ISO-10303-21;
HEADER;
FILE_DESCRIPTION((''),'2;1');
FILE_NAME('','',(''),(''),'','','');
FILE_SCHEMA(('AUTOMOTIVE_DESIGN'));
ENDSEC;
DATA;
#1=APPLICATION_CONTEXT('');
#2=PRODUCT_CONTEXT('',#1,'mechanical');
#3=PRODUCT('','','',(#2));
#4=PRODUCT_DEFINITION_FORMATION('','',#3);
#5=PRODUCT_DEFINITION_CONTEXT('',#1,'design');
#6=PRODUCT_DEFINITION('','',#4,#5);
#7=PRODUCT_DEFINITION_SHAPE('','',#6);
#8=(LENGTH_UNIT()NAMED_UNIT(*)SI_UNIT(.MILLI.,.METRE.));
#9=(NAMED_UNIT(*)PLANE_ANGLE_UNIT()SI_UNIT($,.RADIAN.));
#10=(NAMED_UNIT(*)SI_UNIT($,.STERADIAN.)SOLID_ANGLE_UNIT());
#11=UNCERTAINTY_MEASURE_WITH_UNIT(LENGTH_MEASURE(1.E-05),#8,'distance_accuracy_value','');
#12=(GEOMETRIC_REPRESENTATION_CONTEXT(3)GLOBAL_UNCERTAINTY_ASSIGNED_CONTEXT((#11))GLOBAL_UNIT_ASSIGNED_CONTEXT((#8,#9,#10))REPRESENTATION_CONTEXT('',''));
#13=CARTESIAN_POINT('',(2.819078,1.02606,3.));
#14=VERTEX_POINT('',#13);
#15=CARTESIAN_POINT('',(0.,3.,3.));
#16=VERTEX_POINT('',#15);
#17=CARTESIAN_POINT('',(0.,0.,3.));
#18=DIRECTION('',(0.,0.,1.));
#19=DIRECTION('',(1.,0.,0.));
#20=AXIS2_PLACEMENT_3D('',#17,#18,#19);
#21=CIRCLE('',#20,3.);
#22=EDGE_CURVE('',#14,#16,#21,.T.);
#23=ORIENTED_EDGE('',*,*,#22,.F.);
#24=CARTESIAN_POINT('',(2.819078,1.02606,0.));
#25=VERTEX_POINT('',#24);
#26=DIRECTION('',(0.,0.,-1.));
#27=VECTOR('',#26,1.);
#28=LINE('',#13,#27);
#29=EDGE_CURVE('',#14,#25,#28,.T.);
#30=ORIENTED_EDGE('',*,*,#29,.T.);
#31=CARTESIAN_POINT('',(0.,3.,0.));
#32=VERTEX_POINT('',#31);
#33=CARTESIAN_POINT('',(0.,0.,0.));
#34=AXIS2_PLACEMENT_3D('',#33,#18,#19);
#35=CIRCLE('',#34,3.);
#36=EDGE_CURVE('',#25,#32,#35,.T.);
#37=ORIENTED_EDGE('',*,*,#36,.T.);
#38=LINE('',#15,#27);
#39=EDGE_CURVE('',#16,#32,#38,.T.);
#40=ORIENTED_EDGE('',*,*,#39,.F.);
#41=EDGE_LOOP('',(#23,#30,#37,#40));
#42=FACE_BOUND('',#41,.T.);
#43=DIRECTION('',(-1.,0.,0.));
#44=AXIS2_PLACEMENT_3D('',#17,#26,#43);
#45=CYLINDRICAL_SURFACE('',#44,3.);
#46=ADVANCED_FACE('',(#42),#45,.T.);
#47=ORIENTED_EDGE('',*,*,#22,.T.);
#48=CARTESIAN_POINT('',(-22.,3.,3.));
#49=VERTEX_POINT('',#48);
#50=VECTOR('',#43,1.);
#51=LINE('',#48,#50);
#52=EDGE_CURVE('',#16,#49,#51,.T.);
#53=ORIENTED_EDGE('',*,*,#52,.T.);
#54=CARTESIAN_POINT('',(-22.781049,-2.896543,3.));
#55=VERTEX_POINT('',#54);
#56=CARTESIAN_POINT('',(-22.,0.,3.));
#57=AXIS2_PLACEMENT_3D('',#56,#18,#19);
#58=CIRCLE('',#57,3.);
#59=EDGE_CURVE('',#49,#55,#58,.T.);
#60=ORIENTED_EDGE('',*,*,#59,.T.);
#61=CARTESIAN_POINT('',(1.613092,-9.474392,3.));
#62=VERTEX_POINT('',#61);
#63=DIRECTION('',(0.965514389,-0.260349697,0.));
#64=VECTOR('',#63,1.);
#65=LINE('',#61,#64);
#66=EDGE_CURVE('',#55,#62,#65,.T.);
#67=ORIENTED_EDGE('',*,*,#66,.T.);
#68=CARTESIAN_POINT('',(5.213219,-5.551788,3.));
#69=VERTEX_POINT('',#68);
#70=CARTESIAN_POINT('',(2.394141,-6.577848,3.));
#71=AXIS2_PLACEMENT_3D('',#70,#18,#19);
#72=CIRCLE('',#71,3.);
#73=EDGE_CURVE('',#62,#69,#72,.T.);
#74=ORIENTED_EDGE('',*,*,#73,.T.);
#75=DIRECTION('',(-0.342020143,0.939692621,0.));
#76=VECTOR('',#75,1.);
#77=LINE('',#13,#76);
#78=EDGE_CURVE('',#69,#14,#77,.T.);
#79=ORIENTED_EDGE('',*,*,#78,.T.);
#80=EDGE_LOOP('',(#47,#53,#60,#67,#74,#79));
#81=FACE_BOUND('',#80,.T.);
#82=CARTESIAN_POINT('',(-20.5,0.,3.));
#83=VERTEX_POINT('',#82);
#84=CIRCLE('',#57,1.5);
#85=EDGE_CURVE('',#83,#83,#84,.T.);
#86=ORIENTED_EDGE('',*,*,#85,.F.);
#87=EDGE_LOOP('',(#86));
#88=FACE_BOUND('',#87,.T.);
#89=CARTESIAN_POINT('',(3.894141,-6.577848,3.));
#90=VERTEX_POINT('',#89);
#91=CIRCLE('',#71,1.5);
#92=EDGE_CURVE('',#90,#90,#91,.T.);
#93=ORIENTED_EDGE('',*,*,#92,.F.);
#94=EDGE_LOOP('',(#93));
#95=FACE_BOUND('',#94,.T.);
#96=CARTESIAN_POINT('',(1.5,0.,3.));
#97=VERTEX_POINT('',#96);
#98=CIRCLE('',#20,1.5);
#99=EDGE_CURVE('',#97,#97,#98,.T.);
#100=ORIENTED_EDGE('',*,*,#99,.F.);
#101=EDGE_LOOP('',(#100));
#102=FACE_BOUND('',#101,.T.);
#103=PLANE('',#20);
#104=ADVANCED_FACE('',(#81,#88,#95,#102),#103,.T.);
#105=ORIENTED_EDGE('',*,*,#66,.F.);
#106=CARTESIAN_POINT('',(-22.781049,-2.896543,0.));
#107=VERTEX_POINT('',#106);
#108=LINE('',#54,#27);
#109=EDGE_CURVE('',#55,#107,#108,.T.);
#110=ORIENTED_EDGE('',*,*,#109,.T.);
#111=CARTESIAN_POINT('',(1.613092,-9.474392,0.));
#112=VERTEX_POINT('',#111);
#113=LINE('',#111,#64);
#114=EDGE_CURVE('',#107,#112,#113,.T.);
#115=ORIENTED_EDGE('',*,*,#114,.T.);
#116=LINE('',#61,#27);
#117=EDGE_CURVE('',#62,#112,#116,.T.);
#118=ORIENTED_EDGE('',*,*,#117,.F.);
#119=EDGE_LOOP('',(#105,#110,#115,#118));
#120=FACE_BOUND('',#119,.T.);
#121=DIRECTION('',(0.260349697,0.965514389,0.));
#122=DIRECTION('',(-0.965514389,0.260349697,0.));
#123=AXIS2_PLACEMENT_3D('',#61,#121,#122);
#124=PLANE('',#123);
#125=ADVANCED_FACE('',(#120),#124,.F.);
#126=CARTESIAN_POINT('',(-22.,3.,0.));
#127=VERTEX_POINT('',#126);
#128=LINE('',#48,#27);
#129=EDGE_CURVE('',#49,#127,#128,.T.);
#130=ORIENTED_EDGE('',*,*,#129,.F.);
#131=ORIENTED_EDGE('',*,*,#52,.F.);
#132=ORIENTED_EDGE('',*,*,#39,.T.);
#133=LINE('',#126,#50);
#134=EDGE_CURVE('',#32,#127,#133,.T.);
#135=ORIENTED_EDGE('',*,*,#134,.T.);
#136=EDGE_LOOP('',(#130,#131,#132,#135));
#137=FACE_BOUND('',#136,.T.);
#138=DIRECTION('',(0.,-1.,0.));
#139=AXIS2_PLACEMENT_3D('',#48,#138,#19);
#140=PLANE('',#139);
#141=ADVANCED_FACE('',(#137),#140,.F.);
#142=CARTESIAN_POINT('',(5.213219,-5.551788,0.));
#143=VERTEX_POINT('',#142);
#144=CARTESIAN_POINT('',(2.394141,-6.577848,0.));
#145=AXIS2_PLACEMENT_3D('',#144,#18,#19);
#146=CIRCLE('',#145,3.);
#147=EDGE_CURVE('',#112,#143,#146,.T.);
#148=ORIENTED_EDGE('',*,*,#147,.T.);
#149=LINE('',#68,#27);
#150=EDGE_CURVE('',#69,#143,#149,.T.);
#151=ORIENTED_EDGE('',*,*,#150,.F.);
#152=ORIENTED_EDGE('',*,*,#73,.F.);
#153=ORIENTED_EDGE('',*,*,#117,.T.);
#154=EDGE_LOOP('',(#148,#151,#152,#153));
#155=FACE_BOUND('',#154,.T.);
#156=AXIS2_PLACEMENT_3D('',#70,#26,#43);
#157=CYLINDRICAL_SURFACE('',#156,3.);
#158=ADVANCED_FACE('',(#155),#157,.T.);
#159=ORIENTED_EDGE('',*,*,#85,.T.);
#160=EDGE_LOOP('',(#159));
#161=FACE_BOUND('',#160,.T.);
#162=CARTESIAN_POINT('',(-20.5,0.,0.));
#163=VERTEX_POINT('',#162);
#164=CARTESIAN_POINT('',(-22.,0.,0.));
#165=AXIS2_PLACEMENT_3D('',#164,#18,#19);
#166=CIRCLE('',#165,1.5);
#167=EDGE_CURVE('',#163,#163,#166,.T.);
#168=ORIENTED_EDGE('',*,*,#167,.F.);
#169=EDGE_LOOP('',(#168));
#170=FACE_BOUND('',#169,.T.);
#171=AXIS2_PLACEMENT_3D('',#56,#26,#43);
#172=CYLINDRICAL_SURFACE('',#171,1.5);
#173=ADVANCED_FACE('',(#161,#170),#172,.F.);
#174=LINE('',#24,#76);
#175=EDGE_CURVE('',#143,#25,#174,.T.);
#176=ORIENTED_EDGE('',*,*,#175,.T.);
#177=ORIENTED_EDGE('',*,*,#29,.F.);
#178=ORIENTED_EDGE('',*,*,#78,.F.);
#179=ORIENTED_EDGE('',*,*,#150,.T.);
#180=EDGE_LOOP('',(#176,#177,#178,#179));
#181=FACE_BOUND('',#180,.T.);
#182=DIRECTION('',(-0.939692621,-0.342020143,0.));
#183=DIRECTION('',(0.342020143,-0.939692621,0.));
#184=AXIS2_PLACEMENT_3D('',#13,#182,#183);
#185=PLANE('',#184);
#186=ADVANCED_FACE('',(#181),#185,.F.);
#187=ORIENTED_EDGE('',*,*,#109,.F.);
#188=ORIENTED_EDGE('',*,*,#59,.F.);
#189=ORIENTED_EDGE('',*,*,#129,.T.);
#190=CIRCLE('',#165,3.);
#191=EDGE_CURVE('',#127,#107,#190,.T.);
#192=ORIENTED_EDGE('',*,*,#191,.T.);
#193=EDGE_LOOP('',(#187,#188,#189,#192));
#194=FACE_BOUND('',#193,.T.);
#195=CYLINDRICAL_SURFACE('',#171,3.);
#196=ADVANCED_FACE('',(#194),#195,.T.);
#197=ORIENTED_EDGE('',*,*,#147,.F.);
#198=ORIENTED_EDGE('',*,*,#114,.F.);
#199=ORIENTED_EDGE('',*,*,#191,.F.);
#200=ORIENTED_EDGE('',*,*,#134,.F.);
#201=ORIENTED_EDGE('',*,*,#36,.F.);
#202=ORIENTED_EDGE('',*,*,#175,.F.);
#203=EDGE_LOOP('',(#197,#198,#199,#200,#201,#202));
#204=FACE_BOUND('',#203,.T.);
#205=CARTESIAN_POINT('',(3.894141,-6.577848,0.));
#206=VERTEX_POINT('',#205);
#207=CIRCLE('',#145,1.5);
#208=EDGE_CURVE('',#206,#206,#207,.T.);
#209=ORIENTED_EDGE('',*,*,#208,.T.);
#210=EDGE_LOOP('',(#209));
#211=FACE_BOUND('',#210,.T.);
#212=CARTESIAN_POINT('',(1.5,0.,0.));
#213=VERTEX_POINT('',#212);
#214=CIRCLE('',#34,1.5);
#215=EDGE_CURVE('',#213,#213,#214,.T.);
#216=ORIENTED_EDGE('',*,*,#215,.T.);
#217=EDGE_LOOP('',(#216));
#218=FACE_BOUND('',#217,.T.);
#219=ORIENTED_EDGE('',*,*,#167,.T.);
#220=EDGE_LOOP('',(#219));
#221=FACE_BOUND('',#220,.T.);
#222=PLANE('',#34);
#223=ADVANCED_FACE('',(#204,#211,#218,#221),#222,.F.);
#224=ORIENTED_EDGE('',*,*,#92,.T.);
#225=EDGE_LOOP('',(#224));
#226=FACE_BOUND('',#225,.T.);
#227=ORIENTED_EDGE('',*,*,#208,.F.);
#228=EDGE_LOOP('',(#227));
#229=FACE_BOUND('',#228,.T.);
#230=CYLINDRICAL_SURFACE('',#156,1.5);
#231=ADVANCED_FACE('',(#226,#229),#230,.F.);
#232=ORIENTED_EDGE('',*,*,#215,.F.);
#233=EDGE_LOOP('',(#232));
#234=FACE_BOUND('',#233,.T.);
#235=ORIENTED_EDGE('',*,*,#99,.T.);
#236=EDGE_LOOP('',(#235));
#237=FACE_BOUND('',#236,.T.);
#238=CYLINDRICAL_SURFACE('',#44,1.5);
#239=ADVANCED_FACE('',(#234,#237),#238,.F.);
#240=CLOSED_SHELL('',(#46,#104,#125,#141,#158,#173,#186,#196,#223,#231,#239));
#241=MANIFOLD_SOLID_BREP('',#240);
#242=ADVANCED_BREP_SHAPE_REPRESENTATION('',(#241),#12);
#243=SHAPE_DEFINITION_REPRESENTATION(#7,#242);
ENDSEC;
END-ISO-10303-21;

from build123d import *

# Parameters (mm, degrees)
SKETCH2_R           = 1.5
BOSS_EXTRUDE1_DEPTH = 3


with BuildPart() as part:
    # Sketch2 → Boss-Extrude1 (new body)
    with BuildSketch(Plane.XY):
        with BuildLine():
            Line((-22, 3), (0, 3))
            ThreePointArc((0, 3), (1.720729309, 2.457456133), (2.819077862, 1.02606043))
            Line((2.819077862, 1.02606043), (5.213218866, -5.551787916))
            ThreePointArc((5.213218866, -5.551787916), (4.604366119, -8.606371192), (1.613091911, -9.474391512))
            Line((1.613091911, -9.474391512), (-22.781049092, -2.896543167))
            ThreePointArc((-22.781049092, -2.896543167), (-24.974023327, 0.393935591), (-22, 3))
        make_face()
        with Locations((-22, 0)):
            Circle(SKETCH2_R, mode=Mode.SUBTRACT)
        Circle(SKETCH2_R, mode=Mode.SUBTRACT)
        with Locations((2.394141003, -6.577848346)):
            Circle(SKETCH2_R, mode=Mode.SUBTRACT)
    extrude(amount=BOSS_EXTRUDE1_DEPTH)


solid = part.part
